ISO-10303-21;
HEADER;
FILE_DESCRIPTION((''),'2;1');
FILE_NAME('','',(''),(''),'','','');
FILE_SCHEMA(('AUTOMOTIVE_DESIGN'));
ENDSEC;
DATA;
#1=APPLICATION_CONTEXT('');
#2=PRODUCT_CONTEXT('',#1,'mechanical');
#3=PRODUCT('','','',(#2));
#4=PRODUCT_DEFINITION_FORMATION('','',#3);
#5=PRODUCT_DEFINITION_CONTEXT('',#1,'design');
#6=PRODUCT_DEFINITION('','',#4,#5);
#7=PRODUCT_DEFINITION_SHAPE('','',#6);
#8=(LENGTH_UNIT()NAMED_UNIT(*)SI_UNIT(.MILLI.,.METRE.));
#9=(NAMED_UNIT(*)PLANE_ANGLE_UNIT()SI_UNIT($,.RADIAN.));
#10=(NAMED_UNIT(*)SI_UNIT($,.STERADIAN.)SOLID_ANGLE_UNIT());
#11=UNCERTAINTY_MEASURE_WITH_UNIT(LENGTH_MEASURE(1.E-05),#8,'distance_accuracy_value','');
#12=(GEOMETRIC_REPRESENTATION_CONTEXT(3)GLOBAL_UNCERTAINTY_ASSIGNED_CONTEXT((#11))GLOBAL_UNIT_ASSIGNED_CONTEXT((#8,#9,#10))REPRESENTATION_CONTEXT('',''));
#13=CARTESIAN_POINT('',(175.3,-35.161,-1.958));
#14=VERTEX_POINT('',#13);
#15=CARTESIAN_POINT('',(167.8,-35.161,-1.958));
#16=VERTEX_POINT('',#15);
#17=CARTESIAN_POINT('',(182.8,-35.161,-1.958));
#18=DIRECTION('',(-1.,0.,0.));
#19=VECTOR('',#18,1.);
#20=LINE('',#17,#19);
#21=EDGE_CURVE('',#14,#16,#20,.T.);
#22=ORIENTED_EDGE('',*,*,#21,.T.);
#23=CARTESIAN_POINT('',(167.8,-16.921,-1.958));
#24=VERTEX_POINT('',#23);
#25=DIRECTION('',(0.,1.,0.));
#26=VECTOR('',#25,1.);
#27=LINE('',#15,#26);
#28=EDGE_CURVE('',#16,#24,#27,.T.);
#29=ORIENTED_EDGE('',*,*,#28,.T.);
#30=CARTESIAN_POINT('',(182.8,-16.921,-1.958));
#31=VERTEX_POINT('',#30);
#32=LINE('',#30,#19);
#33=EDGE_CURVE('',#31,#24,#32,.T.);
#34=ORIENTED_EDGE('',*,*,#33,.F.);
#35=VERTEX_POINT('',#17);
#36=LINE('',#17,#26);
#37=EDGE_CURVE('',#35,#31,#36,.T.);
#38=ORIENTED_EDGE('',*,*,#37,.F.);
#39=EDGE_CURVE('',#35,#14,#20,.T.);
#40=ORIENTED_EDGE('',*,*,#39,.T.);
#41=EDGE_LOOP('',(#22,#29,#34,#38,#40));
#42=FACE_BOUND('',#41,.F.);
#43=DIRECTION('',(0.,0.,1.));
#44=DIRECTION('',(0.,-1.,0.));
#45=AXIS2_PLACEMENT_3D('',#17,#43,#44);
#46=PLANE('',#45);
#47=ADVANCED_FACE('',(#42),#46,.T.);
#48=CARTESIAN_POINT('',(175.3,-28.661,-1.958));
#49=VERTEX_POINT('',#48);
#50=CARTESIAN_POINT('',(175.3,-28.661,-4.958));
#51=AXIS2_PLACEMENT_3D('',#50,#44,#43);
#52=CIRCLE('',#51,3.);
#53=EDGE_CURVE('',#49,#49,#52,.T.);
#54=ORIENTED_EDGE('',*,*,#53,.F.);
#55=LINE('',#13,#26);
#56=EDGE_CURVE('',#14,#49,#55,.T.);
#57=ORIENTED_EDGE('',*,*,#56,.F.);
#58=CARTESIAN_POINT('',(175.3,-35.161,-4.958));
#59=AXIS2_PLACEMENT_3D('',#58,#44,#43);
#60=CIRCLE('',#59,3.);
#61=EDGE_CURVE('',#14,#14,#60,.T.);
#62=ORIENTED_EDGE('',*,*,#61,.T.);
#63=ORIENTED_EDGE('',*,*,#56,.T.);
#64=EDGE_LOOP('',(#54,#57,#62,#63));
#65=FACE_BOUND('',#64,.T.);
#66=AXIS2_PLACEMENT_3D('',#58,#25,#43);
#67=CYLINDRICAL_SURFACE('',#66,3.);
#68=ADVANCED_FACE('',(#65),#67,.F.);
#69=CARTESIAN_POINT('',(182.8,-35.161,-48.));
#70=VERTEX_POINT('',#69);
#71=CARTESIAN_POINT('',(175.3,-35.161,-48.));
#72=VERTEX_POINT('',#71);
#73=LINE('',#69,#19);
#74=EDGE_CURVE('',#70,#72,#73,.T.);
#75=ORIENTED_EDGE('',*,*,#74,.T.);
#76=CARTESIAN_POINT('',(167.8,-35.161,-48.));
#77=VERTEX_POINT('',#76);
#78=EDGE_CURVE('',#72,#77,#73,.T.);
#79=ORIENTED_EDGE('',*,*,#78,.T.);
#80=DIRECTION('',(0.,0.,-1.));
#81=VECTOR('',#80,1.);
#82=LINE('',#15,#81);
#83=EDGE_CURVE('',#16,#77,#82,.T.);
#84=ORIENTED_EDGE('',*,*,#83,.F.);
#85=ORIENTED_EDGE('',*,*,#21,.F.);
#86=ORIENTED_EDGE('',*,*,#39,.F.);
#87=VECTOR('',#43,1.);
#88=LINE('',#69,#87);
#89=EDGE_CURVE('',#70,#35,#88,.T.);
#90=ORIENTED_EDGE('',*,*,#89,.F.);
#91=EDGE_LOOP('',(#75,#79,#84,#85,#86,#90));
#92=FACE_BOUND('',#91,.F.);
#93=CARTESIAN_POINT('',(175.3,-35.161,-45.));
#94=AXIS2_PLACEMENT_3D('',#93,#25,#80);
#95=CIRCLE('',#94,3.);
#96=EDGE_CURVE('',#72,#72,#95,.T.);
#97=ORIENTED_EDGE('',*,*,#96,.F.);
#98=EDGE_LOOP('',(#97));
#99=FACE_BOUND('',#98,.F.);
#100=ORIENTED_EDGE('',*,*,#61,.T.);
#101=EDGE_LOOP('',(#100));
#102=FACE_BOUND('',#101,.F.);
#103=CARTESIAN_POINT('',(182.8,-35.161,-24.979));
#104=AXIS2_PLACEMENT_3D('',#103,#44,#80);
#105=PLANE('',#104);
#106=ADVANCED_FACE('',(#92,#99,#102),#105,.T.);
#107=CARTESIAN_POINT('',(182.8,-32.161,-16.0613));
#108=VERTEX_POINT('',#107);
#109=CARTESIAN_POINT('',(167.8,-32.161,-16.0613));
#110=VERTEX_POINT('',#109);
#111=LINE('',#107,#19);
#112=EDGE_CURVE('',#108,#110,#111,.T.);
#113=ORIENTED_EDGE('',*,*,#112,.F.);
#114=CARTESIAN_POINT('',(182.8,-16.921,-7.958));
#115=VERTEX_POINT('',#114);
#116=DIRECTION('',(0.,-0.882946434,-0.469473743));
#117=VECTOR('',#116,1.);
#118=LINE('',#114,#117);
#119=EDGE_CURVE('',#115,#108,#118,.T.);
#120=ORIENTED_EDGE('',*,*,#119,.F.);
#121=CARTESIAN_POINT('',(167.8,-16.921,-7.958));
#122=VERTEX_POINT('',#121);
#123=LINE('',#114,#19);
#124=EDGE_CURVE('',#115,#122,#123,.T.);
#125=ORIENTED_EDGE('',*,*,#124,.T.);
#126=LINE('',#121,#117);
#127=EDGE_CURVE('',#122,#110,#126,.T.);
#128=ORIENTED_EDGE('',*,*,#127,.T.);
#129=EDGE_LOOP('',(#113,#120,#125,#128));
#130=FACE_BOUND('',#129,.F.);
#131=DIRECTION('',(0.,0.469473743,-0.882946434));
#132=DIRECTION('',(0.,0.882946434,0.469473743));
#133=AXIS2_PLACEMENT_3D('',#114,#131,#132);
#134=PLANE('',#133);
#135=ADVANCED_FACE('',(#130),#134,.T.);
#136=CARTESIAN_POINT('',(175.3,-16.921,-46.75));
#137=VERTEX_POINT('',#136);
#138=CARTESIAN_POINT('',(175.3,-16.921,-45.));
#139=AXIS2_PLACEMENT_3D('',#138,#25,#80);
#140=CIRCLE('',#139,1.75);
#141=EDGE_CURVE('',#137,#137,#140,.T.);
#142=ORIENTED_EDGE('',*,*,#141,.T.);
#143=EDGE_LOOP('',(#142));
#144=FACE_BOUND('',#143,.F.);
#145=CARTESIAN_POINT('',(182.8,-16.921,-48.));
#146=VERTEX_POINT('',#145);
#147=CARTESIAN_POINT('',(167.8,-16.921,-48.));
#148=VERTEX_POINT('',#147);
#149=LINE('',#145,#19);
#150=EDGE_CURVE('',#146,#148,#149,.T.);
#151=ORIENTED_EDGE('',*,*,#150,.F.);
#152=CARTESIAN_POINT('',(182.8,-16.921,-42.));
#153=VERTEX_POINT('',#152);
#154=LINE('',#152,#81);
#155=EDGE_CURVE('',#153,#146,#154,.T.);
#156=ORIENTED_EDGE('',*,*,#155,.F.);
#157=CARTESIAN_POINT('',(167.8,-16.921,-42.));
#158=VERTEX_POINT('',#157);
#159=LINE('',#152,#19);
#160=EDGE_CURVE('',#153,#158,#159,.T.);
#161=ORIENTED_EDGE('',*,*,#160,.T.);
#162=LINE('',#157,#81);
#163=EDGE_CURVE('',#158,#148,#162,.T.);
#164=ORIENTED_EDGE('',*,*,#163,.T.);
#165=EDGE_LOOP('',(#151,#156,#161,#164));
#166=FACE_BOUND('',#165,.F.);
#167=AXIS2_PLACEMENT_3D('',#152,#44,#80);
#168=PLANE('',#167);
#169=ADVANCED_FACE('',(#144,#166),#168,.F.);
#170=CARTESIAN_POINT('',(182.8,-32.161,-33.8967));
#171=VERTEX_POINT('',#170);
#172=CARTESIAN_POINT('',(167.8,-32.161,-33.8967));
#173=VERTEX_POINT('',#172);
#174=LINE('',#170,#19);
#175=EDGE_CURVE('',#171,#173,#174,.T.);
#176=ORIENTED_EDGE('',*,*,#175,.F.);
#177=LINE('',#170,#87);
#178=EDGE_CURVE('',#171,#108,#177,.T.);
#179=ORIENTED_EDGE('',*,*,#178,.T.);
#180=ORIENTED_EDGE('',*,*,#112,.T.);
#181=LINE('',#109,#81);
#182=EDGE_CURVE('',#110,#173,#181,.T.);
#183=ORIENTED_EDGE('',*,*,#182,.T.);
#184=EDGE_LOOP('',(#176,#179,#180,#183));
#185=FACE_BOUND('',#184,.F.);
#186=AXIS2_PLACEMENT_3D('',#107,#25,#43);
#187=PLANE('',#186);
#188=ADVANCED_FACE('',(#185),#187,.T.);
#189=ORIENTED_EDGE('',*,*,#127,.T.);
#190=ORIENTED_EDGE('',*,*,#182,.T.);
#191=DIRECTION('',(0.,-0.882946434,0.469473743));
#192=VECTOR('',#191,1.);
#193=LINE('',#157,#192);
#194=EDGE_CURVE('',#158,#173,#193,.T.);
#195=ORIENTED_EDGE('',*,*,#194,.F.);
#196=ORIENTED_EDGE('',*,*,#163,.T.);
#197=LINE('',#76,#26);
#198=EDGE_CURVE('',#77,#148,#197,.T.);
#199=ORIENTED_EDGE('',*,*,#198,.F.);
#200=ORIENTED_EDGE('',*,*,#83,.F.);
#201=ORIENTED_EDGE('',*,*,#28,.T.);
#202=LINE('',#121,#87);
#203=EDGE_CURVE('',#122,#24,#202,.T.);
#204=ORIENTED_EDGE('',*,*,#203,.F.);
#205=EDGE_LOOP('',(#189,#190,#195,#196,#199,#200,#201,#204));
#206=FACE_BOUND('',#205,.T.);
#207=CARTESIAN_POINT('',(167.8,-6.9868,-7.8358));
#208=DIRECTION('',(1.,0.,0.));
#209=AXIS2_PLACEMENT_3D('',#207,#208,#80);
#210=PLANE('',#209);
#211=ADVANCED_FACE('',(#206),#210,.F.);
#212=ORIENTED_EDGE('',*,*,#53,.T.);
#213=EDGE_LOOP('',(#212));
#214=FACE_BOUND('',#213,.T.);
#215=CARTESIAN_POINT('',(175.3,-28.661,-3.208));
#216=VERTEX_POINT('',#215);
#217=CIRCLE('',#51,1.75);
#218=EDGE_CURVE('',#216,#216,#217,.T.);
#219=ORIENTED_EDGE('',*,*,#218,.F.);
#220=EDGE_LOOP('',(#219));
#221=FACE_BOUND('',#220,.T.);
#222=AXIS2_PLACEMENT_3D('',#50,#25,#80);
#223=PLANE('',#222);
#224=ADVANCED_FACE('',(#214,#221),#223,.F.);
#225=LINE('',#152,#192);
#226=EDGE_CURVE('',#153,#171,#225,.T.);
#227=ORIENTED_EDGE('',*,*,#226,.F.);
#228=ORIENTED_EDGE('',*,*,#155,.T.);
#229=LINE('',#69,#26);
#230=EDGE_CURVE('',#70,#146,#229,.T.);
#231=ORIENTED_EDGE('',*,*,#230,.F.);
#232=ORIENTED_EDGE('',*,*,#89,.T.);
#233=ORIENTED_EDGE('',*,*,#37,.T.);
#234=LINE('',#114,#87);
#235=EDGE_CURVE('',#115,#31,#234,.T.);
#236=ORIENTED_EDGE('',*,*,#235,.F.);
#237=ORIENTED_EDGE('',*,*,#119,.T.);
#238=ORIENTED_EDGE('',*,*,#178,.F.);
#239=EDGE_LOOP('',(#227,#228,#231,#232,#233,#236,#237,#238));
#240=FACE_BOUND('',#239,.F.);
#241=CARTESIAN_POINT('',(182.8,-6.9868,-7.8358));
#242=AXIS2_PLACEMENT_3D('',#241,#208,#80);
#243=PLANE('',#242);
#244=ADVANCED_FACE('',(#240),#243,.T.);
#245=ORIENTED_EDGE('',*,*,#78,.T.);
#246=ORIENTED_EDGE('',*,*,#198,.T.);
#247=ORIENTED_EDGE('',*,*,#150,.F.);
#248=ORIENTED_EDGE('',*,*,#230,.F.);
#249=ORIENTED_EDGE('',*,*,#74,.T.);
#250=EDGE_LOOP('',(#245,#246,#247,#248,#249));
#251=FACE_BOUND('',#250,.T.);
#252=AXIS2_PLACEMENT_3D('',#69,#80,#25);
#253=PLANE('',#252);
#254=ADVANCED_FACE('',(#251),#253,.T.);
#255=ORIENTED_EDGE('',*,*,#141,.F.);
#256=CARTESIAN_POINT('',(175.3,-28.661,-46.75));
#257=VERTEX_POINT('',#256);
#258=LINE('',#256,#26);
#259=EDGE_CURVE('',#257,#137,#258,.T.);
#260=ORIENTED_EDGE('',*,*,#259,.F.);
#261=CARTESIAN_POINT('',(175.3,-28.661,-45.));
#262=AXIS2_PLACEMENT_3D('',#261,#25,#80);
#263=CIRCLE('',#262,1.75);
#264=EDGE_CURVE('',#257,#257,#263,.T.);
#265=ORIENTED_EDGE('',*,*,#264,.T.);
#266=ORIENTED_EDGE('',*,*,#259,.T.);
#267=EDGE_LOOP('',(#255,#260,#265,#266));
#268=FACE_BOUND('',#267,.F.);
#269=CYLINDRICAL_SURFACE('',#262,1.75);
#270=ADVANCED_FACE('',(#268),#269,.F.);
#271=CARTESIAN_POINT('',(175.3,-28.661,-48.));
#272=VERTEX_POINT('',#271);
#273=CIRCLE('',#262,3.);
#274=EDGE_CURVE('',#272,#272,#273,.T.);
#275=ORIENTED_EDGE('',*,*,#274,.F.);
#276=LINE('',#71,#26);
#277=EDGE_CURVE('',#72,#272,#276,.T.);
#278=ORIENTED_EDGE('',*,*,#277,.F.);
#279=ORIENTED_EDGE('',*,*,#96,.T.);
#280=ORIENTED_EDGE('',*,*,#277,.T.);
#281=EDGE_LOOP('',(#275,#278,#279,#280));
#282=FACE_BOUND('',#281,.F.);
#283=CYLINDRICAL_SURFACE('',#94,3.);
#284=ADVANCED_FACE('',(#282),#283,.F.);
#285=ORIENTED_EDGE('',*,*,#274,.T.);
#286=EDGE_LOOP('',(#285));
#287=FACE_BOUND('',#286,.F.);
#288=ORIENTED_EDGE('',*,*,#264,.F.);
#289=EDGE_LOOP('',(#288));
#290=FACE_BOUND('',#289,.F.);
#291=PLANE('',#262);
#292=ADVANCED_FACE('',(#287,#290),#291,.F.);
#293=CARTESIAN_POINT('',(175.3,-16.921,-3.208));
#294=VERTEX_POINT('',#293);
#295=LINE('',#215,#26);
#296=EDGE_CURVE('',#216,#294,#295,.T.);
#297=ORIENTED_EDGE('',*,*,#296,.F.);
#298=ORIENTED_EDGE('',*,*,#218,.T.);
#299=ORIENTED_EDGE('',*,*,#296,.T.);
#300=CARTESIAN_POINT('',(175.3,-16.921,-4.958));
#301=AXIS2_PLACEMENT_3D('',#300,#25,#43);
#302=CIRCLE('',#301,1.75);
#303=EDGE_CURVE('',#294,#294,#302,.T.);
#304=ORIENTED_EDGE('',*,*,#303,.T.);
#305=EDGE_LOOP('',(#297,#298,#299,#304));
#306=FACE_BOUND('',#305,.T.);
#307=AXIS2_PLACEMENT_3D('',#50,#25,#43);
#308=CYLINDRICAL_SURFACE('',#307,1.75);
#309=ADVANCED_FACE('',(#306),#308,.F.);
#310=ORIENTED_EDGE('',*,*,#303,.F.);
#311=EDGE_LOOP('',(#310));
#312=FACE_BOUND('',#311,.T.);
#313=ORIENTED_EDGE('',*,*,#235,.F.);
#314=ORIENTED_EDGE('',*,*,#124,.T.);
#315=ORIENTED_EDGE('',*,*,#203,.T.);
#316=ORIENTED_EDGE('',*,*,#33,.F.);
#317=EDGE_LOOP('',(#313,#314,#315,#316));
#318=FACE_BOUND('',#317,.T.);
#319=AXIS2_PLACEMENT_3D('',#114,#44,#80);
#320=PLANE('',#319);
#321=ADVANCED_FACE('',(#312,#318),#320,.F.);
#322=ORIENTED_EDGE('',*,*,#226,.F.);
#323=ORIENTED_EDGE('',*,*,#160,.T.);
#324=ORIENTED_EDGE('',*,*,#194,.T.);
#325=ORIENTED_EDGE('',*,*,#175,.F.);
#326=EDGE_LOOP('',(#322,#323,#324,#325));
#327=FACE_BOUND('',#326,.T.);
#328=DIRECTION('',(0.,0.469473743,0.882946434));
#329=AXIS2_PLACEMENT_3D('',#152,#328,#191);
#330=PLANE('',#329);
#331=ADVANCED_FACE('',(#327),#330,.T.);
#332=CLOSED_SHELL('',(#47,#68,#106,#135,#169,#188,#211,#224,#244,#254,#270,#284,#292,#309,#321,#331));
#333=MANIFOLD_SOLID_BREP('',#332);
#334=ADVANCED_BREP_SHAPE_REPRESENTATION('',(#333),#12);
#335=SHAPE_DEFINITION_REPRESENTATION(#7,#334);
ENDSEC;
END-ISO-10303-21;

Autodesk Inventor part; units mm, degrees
ref_plane "YZ Plane" through (0, 0, 0) normal (1, 0, 0) x (0, 1, 0)
ref_plane "XZ Plane" through (0, 0, 0) normal (0, 1, 0) x (-1, 0, 0)
ref_plane "Work Plane1" through (182.8, -16.921, -7.958) normal (0, -1, 0) x (0, 0, -1)
ref_plane "Work Plane2" through (182.8, -6.9868, -42.1222) normal (1, 0, 0) x (0, 0, -1)
sketch "Sketch1" plane through (182.8, -6.9868, -42.1222) normal (1, 0, 0) x (0, 0, -1)
  arc A0 (5.0194, 6.9868) -> (5.8778, 5.8182) centre (7.8778, 8.1868) ccw projected
  line L0 (-9.7772, 6.9868) -> (5.0194, 6.9868) projected
  arc A1 (-7.9865, 5.8774) -> (-9.7772, 6.9868) centre (-9.7772, 4.9868) ccw projected
  line L1 (-7.9865, 5.8774) -> (-0.1222, -9.9342) projected
  line L2 (-0.1222, -9.9342) -> (5.8778, -9.9342) projected
  line L3 (5.8778, -9.9342) -> (5.8778, 5.8182) projected
  line L4 (-42.1222, 6.9868) -> (-42.1222, -9.9342) projected
  line L5 (-42.1222, -9.9342) -> (-34.1642, -9.9342) projected
  line L6 (-34.1642, -9.9342) -> (-26.2998, 5.8774) projected
  arc A2 (-24.5091, 6.9868) -> (-26.2998, 5.8774) centre (-24.5091, 4.9868) ccw projected
  line L7 (-42.1222, 6.9868) -> (-24.5091, 6.9868) projected
  circle A3 centre (-17.1432, -9.9342) radius 15.24 construction
  line L8 (-17.1432, -9.9342) -> (-17.1432, -20.9232) construction
  line L9 (-17.1432, -9.9342) -> (-6.1542, -9.9342) construction
  line L10 (-0.1222, -9.9342) -> (-8.2255, -25.1742)
  line L11 (-0.1222, -9.9342) -> (17.1381, -9.9342) construction
  line L12 (-8.2255, -25.1742) -> (-17.1432, -25.1742)
  line L13 (-17.1432, -25.1742) -> (-17.1432, -28.1742)
  line L14 (-17.1432, -28.1742) -> (5.8778, -28.1742)
  line L15 (5.8778, -28.1742) -> (5.8778, -9.9342)
  line L16 (-0.1222, -9.9342) -> (5.8778, -9.9342)
  dimension "d0" = 90
  dimension "d1" = 118
  dimension "d2" = 3
  dimension "d3" = 90
ref_plane "Work Plane3" through (167.8, -16.921, -48) normal (-1, 0, 0) x (0, 0, 1)
extrude "Extrusion1" add sketch "Sketch1" against normal up to surface (15 mm away) contours L15 L14 L13 L12 L10 L2
sketch "Sketch2" plane through (182.8, -35.161, -48) normal (0, -1, 0) x (1, 0, 0)
  circle A0 centre (-7.5, 3) radius 1.45 projected
  point P0 (-182.8, 48)
hole "Hole1" at (175.3, -35.161, -45) direction (0, 1, 0) diameter 3.5 end through all counterbore diameter 6 counterbore depth 6.5
mirror "Mirror1" about plane through (182.8, -35.161, -24.979) normal (0, 0, 1) of "Extrusion1", "Hole1"
properties part number "30_CUBE_openSIM_Lensfixation"
